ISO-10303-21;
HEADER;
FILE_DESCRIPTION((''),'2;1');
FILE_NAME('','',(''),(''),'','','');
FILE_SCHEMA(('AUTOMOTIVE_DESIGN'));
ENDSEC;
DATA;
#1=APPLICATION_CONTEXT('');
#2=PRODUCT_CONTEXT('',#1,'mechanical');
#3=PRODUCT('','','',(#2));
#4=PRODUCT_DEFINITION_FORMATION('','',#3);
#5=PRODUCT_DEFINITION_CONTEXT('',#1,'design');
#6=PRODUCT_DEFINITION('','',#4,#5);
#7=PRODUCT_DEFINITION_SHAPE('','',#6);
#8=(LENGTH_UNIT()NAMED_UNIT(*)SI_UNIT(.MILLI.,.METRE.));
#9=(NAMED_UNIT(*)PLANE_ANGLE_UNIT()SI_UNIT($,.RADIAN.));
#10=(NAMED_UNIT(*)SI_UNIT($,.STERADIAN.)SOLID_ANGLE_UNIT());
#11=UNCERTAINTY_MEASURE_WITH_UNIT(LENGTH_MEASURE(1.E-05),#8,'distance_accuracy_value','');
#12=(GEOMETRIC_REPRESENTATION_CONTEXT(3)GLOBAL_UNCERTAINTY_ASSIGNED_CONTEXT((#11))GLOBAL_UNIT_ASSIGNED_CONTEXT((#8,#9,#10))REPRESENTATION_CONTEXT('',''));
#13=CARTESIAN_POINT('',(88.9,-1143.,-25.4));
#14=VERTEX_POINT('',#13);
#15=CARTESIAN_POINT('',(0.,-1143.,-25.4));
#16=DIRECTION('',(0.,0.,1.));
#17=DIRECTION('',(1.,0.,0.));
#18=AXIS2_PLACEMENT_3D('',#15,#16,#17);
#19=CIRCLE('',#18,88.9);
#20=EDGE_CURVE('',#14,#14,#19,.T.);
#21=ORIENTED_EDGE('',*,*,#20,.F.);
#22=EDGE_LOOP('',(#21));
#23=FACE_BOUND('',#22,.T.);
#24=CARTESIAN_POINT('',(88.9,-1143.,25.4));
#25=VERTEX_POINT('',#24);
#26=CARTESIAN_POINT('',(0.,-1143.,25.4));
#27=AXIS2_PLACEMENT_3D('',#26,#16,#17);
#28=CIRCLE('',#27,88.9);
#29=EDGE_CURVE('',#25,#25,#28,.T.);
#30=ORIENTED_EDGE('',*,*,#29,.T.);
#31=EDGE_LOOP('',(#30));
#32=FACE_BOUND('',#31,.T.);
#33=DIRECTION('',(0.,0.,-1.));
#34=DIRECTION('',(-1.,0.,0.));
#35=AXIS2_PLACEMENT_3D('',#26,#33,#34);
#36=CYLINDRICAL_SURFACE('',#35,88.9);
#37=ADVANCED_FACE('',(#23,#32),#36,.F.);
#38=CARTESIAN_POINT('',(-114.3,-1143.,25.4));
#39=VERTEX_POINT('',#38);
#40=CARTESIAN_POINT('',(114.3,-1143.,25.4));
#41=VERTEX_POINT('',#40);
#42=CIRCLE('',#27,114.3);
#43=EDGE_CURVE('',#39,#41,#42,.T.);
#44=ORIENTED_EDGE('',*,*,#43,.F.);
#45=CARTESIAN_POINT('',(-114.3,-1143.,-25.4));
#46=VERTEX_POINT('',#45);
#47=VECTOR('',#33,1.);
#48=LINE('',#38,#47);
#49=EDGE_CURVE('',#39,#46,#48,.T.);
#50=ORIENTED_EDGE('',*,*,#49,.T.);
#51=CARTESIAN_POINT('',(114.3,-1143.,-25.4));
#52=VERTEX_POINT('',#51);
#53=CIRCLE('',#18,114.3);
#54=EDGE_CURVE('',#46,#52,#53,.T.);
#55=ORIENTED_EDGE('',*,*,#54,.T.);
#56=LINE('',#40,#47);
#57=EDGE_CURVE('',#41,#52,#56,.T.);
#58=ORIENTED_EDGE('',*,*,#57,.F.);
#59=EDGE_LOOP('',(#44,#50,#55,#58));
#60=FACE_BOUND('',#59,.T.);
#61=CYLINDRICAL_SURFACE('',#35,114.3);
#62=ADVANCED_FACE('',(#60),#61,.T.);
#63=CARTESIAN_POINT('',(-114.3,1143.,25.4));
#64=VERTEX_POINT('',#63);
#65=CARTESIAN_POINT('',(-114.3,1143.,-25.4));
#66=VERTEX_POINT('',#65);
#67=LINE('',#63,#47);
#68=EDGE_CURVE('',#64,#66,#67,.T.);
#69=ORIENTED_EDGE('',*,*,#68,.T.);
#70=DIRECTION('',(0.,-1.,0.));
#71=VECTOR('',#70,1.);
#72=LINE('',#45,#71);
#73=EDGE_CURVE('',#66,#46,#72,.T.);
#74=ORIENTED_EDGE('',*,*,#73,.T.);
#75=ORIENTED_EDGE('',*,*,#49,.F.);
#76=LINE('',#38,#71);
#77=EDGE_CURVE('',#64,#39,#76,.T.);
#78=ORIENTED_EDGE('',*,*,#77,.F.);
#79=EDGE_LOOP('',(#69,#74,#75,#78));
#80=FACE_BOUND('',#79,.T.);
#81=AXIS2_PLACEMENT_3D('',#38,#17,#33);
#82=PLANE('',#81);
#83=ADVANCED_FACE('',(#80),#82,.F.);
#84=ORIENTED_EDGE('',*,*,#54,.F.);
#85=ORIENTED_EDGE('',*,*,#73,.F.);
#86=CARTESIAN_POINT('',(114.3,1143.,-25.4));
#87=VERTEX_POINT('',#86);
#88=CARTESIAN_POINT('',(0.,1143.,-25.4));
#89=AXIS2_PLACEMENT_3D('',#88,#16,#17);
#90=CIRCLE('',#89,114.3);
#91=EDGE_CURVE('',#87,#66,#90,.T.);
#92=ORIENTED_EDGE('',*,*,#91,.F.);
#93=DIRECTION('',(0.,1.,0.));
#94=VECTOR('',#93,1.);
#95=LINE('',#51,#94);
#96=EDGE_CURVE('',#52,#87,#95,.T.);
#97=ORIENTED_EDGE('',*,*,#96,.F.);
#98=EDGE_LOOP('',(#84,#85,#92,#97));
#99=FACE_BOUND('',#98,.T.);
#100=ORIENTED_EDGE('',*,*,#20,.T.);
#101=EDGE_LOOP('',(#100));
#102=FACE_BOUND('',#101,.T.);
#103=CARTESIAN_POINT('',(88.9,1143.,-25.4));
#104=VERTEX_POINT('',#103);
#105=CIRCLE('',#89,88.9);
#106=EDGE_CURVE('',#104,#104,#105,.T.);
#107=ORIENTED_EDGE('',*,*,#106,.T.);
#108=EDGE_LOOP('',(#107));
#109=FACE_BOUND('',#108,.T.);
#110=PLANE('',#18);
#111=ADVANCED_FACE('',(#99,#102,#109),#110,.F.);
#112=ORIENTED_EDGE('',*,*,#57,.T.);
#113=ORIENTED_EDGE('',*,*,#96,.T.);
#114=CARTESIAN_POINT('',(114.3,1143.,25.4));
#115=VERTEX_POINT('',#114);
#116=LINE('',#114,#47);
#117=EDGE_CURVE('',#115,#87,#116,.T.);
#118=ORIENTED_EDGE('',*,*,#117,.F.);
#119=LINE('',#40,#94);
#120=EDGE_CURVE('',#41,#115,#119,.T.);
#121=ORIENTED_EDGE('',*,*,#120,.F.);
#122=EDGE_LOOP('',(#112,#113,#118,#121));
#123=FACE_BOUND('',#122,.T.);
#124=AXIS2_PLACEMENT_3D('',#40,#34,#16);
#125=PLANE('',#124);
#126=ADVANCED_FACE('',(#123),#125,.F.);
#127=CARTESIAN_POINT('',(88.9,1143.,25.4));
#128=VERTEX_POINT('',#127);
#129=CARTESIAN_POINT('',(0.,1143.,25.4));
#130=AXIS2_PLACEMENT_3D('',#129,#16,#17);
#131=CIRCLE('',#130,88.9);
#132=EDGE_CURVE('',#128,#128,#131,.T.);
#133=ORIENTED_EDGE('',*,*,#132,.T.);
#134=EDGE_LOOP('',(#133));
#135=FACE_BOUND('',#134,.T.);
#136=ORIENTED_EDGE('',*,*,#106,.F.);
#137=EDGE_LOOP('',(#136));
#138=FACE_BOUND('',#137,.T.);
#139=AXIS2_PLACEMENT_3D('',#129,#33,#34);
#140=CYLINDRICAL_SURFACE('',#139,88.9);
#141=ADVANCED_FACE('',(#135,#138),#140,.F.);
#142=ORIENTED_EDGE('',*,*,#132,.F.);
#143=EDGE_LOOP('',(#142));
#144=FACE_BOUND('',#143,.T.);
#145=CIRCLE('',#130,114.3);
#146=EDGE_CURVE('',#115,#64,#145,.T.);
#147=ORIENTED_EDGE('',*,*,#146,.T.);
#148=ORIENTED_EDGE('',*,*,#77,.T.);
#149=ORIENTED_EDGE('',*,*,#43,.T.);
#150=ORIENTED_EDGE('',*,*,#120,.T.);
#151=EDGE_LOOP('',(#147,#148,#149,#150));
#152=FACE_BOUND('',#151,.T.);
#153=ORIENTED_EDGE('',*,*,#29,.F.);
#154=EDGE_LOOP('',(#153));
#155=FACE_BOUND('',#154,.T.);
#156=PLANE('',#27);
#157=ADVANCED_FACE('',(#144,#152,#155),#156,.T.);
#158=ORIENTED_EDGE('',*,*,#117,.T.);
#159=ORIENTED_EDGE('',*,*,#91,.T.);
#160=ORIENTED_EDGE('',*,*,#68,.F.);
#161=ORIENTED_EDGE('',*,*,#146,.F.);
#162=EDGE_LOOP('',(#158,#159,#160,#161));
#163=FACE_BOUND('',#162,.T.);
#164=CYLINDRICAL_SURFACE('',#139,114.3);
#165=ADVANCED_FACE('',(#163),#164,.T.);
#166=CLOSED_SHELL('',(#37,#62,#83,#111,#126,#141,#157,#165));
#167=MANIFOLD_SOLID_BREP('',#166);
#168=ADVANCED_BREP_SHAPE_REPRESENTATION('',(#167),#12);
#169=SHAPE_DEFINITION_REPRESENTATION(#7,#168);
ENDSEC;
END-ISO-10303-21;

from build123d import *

# Parameters (mm, degrees)
SKETCH1_R           = 88.9
BOSS_EXTRUDE1_DEPTH = 25.4


with BuildPart() as part:
    # Sketch1 → Boss-Extrude1 (new, symmetric)
    with BuildSketch(Plane.XY):
        with BuildLine():
            Line((-114.3, -1143), (-114.3, 1143))
            ThreePointArc((-114.3, 1143), (0, 1257.3), (114.3, 1143))
            Line((114.3, 1143), (114.3, -1143))
            ThreePointArc((114.3, -1143), (0, -1257.3), (-114.3, -1143))
        make_face()
        with Locations((0, 1143)):
            Circle(SKETCH1_R, mode=Mode.SUBTRACT)
        with Locations((0, -1143)):
            Circle(SKETCH1_R, mode=Mode.SUBTRACT)
    extrude(amount=BOSS_EXTRUDE1_DEPTH, both=True)


solid = part.part
